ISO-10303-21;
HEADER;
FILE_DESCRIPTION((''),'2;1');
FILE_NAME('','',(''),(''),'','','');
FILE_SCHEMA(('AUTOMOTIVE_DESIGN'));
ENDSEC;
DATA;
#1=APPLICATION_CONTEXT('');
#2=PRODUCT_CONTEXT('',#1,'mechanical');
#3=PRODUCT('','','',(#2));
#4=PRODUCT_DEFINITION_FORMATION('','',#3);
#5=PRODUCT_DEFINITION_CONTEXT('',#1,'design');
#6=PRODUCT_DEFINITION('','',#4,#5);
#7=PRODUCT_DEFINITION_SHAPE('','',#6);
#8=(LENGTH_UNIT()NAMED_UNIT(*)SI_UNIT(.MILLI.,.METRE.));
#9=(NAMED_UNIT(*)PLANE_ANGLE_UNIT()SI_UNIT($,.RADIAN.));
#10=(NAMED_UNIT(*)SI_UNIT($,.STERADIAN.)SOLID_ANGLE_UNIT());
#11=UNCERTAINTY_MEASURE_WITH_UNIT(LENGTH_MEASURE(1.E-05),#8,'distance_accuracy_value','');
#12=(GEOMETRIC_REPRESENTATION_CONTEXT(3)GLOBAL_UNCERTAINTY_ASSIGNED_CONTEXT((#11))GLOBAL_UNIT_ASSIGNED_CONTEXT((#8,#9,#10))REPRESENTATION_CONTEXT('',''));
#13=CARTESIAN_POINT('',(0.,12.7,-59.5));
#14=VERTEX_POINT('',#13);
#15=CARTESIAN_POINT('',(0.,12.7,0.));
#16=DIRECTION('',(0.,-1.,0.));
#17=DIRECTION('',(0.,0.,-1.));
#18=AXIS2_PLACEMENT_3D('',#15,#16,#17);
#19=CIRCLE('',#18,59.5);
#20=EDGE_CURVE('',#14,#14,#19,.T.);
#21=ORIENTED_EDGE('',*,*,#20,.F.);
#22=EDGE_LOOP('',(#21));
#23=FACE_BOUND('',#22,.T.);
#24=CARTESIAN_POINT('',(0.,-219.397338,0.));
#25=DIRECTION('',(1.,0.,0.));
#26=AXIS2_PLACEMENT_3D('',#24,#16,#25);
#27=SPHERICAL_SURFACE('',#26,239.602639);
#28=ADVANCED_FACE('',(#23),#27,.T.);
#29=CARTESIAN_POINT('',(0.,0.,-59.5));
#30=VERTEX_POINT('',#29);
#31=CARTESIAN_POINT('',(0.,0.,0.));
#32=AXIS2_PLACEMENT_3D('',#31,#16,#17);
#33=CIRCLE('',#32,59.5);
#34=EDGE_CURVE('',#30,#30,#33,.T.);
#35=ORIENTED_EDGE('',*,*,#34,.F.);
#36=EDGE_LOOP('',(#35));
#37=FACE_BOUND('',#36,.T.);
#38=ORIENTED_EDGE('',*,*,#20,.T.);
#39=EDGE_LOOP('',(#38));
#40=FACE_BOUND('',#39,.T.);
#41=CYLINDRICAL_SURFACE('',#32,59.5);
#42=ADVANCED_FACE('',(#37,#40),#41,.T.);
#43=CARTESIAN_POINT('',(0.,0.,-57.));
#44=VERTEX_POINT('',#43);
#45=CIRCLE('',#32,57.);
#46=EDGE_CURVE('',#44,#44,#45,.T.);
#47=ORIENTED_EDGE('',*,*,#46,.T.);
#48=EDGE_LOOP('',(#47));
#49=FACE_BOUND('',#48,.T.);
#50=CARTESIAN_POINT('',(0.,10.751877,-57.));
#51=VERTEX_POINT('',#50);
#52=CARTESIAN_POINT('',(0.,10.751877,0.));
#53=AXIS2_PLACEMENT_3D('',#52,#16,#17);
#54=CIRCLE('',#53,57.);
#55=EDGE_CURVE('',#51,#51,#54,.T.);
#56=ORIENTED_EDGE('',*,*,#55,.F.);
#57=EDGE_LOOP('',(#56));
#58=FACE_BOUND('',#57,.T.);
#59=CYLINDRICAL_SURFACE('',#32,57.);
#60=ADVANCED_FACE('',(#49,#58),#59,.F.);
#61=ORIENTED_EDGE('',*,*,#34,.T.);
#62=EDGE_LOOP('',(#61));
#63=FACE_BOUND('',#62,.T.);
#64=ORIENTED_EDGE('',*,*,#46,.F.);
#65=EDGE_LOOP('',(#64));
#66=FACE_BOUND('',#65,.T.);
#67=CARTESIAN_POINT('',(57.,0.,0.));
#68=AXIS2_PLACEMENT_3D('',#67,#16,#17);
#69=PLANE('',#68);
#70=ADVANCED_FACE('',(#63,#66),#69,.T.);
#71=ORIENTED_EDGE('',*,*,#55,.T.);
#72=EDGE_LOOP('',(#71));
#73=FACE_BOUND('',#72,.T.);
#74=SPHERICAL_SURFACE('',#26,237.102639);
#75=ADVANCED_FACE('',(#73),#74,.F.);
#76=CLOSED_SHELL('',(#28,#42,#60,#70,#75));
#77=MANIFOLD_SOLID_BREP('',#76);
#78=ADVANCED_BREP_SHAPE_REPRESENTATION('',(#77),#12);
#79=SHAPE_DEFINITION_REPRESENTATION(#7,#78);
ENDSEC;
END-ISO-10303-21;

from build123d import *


with BuildPart() as part:
    # Croquis1 → Revolución1 (revolve)
    with BuildSketch(Plane.XY):
        with BuildLine():
            Line((57, 0), (59.5, 0))
            Line((59.5, 0), (59.5, 12.7))
            ThreePointArc((59.5, 12.7), (29.985744668, 18.321570419), (0, 20.205300346))
            Line((0, 20.205300346), (0, 17.705300346))
            ThreePointArc((0, 17.705300346), (28.711278697, 15.960524812), (57, 10.75187689))
            Line((57, 10.75187689), (57, 0))
        make_face()
    revolve(axis=Axis((0, 0, 0), (0, 1, 0)))


solid = part.part
